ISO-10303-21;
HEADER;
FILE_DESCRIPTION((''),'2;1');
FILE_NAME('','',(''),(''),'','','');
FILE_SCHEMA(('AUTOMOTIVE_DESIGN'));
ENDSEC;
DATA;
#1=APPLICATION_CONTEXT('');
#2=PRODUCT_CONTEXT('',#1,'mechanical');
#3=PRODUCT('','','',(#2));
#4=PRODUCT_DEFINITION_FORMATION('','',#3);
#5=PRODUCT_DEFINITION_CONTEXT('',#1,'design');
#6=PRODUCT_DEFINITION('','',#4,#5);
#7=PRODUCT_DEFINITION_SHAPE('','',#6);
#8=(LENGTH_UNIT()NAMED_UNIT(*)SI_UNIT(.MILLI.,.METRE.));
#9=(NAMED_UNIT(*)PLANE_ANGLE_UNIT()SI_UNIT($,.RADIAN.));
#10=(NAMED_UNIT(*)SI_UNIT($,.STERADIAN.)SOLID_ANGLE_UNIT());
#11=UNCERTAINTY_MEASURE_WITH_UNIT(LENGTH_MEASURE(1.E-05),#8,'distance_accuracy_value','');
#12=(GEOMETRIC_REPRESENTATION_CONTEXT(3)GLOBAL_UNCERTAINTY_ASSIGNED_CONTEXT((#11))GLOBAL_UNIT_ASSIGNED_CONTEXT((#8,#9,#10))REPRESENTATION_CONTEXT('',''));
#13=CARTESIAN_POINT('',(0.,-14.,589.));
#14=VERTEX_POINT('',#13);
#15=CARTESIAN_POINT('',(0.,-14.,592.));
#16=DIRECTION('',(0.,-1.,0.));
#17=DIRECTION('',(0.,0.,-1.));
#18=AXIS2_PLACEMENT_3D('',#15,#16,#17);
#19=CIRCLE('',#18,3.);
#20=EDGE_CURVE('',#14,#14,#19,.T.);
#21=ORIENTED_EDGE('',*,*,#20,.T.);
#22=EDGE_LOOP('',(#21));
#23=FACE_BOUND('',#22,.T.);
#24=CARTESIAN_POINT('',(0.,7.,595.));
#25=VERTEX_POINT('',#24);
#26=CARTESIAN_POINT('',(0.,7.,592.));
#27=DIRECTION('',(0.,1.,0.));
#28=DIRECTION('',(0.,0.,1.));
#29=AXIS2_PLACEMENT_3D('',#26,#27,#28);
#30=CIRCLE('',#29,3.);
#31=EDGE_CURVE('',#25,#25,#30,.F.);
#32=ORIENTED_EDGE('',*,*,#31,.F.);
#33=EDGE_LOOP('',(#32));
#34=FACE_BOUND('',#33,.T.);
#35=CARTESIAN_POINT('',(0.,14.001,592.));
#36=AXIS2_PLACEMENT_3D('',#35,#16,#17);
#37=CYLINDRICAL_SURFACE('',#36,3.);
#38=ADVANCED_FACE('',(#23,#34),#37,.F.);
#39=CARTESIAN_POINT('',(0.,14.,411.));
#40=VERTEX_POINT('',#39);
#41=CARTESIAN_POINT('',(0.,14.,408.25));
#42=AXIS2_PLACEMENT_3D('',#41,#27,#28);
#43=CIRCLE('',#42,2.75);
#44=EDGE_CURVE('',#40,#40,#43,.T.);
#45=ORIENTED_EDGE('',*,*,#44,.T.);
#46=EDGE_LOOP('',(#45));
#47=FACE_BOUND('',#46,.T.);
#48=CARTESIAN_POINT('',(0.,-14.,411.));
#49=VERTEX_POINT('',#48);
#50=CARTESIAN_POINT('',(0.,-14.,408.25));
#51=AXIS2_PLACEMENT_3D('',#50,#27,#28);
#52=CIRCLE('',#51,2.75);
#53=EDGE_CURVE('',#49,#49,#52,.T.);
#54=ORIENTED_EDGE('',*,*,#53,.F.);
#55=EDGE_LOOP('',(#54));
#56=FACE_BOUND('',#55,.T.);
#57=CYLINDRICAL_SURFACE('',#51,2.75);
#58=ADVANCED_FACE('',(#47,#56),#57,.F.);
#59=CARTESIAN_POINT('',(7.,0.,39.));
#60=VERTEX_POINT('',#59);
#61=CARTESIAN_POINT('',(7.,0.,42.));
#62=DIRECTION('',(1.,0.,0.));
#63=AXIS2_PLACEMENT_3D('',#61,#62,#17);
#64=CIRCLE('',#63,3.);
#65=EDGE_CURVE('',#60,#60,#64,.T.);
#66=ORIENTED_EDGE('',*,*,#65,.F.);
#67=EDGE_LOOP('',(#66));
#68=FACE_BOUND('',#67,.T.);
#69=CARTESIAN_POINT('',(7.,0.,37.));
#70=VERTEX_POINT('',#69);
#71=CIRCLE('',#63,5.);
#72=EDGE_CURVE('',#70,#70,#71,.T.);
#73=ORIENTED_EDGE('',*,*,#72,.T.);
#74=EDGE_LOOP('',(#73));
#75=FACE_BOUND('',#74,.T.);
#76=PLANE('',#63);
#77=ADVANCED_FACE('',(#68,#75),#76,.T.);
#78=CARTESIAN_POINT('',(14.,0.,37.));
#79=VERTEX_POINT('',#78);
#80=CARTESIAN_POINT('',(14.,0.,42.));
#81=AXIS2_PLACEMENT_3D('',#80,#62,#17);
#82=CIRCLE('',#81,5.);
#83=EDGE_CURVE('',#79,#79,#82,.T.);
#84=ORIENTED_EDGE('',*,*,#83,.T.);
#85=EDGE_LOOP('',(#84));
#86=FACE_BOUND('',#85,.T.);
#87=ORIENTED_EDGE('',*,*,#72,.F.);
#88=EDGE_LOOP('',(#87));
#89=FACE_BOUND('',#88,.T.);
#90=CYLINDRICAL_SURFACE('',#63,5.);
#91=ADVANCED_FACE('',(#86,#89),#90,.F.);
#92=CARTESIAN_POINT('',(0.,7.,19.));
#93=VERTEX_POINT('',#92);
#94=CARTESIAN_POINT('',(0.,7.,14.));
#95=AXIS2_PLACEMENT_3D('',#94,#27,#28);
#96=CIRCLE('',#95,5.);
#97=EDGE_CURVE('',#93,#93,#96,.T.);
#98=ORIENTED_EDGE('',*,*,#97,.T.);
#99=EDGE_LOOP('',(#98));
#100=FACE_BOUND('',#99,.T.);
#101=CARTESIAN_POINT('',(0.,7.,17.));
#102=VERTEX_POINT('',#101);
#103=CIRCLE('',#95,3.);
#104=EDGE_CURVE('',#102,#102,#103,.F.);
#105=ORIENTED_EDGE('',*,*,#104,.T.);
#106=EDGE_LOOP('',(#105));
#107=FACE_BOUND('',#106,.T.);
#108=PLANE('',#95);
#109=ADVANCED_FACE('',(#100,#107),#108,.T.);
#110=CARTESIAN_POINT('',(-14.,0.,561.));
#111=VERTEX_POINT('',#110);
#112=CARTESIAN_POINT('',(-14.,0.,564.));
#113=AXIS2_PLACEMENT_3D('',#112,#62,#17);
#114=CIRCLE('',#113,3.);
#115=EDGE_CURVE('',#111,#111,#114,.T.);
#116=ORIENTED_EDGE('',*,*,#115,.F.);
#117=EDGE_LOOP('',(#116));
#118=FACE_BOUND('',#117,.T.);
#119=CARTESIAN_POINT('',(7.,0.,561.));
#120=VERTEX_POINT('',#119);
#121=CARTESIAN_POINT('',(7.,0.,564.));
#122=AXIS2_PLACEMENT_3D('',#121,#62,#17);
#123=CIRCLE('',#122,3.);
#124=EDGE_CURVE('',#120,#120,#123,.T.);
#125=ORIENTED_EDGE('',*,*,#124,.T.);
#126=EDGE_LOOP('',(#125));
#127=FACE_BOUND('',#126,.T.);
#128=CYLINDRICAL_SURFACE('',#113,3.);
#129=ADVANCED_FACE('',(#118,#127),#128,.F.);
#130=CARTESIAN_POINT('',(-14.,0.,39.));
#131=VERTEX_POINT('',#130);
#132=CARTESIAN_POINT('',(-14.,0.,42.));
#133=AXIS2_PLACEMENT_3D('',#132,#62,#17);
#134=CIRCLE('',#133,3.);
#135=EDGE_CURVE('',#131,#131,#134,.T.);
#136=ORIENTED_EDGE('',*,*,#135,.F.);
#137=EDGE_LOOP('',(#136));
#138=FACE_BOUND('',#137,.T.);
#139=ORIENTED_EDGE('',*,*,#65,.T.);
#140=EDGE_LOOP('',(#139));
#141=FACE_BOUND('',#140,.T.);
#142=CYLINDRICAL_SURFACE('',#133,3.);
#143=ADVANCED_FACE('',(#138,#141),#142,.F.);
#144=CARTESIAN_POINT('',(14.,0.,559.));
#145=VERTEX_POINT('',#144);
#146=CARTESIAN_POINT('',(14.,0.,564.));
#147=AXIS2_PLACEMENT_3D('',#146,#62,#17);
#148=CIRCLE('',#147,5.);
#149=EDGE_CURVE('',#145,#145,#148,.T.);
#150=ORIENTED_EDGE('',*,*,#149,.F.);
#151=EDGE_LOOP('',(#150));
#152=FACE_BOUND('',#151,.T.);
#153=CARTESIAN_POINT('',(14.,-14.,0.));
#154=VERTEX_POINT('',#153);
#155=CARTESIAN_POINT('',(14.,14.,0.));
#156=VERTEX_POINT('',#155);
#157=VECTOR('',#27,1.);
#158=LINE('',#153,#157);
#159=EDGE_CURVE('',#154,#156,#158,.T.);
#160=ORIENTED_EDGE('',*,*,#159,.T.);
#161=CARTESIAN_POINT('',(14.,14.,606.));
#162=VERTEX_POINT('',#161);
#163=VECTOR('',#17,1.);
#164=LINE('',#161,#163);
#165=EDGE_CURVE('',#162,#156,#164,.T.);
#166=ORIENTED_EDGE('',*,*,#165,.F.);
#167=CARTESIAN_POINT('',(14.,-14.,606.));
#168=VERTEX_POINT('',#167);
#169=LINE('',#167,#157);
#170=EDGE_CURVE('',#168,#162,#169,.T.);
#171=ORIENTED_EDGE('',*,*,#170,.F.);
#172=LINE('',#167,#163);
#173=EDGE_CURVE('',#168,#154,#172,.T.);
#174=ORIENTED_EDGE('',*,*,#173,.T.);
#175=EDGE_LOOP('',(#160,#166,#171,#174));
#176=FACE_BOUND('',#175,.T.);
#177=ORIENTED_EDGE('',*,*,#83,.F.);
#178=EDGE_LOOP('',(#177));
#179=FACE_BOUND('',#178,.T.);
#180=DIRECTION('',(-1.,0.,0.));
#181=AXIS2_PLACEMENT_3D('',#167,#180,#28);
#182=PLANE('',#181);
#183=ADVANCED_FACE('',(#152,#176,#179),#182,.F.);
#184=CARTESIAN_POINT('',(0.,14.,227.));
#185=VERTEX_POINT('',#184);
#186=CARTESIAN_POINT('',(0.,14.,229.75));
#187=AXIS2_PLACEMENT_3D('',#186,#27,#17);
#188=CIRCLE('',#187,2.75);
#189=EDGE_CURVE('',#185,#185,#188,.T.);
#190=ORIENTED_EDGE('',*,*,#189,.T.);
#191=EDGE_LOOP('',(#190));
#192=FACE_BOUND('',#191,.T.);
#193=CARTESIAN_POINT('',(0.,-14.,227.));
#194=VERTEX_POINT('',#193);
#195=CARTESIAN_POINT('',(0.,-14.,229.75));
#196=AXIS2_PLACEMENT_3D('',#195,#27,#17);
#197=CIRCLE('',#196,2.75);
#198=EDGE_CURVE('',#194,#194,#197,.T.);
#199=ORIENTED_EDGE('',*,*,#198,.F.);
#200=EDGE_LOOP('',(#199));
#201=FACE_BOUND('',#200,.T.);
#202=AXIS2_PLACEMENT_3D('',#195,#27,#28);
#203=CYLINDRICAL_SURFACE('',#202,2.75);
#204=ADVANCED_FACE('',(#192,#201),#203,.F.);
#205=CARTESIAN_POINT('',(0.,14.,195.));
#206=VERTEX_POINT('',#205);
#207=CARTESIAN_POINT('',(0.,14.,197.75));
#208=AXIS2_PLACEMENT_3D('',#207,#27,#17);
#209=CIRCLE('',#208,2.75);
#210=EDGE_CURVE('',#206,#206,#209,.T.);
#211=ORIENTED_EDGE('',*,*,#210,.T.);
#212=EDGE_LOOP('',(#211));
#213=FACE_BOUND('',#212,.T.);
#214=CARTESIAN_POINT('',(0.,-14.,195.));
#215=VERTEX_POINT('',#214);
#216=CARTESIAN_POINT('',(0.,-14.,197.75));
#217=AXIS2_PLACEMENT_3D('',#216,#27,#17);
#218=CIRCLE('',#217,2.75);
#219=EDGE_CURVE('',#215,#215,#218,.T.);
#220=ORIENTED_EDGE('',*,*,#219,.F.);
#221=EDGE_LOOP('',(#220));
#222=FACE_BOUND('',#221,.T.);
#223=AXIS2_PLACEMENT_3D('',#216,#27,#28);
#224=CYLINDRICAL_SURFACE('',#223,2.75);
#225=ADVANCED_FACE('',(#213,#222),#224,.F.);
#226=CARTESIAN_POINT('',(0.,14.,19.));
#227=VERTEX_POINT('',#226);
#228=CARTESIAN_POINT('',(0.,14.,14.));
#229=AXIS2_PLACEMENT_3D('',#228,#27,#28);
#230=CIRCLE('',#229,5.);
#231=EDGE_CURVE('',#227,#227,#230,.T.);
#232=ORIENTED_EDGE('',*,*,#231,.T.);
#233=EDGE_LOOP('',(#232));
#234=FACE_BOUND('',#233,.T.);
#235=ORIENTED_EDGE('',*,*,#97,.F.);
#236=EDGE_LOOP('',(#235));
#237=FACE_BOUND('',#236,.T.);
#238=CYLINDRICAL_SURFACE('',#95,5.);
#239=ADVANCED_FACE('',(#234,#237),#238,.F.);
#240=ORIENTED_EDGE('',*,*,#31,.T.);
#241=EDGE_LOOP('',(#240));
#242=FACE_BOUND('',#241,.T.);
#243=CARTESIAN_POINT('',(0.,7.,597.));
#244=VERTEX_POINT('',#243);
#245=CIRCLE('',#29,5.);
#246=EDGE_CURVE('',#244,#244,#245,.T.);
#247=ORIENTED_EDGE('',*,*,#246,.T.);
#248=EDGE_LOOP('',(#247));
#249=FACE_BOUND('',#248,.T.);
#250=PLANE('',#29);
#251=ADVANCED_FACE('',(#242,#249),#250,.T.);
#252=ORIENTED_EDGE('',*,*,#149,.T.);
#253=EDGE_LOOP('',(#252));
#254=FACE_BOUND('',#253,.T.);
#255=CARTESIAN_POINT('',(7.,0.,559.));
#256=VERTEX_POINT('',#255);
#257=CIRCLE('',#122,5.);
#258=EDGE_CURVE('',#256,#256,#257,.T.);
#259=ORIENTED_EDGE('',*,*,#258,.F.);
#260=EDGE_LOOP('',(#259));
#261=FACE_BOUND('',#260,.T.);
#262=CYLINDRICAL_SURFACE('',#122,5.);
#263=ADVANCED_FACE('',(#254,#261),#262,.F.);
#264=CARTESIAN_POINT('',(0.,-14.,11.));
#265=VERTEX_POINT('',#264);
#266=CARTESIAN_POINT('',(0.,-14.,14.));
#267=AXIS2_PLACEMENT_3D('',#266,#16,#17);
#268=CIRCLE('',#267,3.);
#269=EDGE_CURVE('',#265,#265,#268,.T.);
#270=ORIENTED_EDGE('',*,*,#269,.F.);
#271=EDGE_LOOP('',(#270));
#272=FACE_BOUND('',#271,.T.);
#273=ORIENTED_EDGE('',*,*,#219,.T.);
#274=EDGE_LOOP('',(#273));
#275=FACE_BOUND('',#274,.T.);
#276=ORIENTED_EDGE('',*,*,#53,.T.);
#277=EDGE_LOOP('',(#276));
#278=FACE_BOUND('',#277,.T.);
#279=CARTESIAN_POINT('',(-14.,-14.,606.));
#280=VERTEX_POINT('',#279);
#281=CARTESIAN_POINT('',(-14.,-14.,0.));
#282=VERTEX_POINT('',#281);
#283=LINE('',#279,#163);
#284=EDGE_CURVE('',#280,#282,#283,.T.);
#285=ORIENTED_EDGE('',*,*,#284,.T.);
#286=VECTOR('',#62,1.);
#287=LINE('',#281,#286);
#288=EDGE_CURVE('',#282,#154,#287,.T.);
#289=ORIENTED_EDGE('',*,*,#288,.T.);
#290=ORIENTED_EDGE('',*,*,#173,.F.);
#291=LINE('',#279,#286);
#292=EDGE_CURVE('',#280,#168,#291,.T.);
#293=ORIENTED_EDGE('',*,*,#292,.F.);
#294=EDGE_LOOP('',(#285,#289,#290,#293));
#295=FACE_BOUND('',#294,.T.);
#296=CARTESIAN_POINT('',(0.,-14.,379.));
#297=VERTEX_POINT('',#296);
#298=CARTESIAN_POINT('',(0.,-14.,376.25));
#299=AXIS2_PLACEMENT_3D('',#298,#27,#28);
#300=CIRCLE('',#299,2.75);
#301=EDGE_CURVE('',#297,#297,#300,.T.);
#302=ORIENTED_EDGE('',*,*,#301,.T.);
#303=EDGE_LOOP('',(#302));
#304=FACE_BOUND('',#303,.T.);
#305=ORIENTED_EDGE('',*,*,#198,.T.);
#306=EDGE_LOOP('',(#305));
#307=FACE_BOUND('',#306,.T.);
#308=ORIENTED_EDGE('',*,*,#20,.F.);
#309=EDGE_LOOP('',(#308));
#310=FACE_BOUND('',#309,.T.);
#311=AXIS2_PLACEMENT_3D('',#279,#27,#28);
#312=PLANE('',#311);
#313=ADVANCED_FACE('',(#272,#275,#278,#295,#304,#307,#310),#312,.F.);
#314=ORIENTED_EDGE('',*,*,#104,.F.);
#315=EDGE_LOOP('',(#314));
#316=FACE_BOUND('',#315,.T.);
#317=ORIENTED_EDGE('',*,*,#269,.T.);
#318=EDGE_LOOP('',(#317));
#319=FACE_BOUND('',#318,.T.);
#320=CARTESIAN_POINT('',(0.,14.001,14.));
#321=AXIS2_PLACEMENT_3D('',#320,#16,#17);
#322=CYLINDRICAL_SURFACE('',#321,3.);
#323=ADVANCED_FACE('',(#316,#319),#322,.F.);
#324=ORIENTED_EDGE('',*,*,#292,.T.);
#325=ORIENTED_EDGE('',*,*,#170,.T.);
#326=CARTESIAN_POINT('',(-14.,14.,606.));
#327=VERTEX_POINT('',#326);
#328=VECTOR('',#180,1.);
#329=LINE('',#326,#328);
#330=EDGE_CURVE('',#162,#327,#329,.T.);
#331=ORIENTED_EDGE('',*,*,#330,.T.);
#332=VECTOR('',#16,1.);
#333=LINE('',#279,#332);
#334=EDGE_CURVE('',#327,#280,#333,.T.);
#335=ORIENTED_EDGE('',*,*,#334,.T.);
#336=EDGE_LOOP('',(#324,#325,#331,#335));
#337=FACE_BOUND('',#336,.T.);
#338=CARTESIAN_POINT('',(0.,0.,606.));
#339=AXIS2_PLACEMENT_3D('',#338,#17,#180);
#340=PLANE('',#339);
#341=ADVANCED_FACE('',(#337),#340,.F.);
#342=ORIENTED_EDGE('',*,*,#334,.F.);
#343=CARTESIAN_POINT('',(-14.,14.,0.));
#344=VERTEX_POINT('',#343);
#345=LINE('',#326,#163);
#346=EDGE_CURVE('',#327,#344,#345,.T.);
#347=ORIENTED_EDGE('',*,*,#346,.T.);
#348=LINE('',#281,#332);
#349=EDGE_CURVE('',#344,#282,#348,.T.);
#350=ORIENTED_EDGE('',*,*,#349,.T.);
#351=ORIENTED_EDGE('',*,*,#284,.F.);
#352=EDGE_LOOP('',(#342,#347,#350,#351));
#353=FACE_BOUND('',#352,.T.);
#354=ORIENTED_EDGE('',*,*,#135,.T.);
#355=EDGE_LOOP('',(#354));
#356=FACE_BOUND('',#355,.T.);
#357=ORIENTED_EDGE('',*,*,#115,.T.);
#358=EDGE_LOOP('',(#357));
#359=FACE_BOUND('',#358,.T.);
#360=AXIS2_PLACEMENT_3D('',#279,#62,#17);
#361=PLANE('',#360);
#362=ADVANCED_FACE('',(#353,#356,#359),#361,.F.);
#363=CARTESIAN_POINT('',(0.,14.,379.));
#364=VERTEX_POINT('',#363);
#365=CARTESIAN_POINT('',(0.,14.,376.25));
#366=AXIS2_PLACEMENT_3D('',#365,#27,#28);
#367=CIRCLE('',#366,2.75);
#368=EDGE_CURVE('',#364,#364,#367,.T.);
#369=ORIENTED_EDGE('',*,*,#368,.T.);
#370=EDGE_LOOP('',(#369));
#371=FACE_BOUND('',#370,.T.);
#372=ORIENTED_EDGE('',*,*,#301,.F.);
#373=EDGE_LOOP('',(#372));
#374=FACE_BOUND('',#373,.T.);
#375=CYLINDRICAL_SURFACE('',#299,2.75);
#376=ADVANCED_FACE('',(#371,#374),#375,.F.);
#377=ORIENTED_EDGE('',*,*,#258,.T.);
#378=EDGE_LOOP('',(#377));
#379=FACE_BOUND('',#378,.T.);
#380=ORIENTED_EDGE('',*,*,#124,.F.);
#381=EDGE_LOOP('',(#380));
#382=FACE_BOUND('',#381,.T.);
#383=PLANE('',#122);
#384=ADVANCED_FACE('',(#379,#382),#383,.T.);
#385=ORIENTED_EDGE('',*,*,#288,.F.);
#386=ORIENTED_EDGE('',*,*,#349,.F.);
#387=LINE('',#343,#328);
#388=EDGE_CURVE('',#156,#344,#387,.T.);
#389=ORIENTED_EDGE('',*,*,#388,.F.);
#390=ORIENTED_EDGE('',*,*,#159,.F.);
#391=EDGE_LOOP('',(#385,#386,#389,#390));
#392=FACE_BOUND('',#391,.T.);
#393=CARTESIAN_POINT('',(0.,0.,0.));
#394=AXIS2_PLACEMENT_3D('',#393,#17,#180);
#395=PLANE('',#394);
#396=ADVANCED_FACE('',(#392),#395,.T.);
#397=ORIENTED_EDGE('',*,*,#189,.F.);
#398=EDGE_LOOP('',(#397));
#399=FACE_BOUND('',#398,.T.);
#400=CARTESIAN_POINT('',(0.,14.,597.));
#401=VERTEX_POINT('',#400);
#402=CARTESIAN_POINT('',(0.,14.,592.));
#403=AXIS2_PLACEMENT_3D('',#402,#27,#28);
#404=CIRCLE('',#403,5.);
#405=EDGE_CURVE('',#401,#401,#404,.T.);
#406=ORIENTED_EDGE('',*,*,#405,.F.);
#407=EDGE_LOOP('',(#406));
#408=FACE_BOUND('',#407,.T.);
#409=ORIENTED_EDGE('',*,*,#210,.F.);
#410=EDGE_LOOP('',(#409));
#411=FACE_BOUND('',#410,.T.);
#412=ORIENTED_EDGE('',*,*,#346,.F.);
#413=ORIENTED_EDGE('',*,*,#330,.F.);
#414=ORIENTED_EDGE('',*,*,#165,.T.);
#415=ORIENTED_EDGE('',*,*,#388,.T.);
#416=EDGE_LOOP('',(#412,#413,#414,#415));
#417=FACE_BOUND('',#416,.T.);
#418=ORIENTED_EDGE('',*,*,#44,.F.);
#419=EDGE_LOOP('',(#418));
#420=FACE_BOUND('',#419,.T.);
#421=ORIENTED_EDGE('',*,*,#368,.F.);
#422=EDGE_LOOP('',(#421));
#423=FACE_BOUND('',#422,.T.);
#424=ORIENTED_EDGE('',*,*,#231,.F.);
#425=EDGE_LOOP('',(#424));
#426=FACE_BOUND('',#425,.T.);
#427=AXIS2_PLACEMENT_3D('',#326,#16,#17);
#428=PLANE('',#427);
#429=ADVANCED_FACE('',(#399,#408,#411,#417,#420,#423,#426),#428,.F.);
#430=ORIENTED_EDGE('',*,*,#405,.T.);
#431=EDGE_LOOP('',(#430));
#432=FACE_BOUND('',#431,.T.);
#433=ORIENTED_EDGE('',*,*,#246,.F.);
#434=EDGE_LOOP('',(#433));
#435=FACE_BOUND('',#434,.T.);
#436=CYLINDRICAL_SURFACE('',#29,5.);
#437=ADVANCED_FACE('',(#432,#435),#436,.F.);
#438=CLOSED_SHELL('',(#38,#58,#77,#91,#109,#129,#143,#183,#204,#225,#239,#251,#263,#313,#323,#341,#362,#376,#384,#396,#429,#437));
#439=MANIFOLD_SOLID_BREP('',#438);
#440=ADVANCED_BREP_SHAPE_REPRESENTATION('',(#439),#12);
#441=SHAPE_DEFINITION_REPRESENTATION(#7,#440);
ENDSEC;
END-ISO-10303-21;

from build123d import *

# Parameters (mm, degrees)
IZIM1_W                     = 28
IZIM1_H                     = 28
Y_KSEKLIK_EKSTR_ZYON1_DEPTH = 606
IZIM2_R                     = 5
KES_EKSTR_ZYON1_DEPTH       = 7
IZIM3_R                     = 3
KES_EKSTR_ZYON2_DEPTH       = 1
KES_EKSTR_ZYON2_DEPTH_BACK  = 29
KES_EKSTR_ZYON3_REACH       = 30
IZIM4_R                     = 3
IZIM6_R                     = 5
KES_EKSTR_ZYON5_DEPTH       = 7
IZIM7_R                     = 2.75
KES_EKSTR_ZYON6_DEPTH       = 29


with BuildPart() as part:
    # Çizim1 → Yükseklik-Ekstrüzyon1 (new body)
    with BuildSketch(Plane.XY):
        Rectangle(IZIM1_W, IZIM1_H)
    extrude(amount=Y_KSEKLIK_EKSTR_ZYON1_DEPTH)

    # Çizim2 → Kes-Ekstrüzyon1 (cut)
    with BuildSketch(Plane(origin=(14, 0, 0), x_dir=(0, 0, -1), z_dir=(1, 0, 0))):
        with Locations((-564, 0)):
            Circle(IZIM2_R)
        with Locations((-42, 0)):
            Circle(IZIM2_R)
    extrude(amount=-KES_EKSTR_ZYON1_DEPTH, mode=Mode.SUBTRACT)

    # Çizim3 → Kes-Ekstrüzyon2 (cut, two sides)
    with BuildSketch(Plane(origin=(14, 0, 0), x_dir=(0, 0, -1), z_dir=(1, 0, 0))) as kes_ekstr_zyon2_sk:
        with Locations((-564, 0)):
            Circle(IZIM3_R)
        with Locations((-42, 0)):
            Circle(IZIM3_R)
    extrude(amount=KES_EKSTR_ZYON2_DEPTH, mode=Mode.SUBTRACT)
    extrude(kes_ekstr_zyon2_sk.sketch, amount=-KES_EKSTR_ZYON2_DEPTH_BACK, mode=Mode.SUBTRACT)

    # Çizim4 → Kes-Ekstrüzyon3 (cut, up to next)
    with BuildSketch(Plane.XZ.offset(14), mode=Mode.PRIVATE) as kes_ekstr_zyon3_sk1:
        with Locations((0, 14)):
            Circle(IZIM4_R)
    kes_ekstr_zyon3_tool1 = extrude(kes_ekstr_zyon3_sk1.sketch, amount=-KES_EKSTR_ZYON3_REACH, mode=Mode.PRIVATE) & part.part
    add(kes_ekstr_zyon3_tool1.solids().sort_by_distance((0, -14, 14))[0], mode=Mode.SUBTRACT)
    # Çizim4 → Kes-Ekstrüzyon3 (cut, up to next)
    with BuildSketch(Plane.XZ.offset(14), mode=Mode.PRIVATE) as kes_ekstr_zyon3_sk2:
        with Locations((0, 592)):
            Circle(IZIM4_R)
    kes_ekstr_zyon3_tool2 = extrude(kes_ekstr_zyon3_sk2.sketch, amount=-KES_EKSTR_ZYON3_REACH, mode=Mode.PRIVATE) & part.part
    add(kes_ekstr_zyon3_tool2.solids().sort_by_distance((0, -14, 592))[0], mode=Mode.SUBTRACT)

    # Çizim6 → Kes-Ekstrüzyon5 (cut)
    with BuildSketch(Plane(origin=(0, 14, 0), x_dir=(1, 0, 0), z_dir=(0, 1, 0))):
        with Locations((0, -592)):
            Circle(IZIM6_R)
        with Locations((0, -14)):
            Circle(IZIM6_R)
    extrude(amount=-KES_EKSTR_ZYON5_DEPTH, mode=Mode.SUBTRACT)

    # Çizim7 → Kes-Ekstrüzyon6 (cut, through all)
    with BuildSketch(Plane(origin=(0, 14, 0), x_dir=(1, 0, 0), z_dir=(0, 1, 0))):
        with Locations((0, -408.25)):
            Circle(IZIM7_R)
        with Locations((0, -376.25)):
            Circle(IZIM7_R)
        with Locations((0, -229.75)):
            Circle(IZIM7_R)
        with Locations((0, -197.75)):
            Circle(IZIM7_R)
    extrude(amount=-KES_EKSTR_ZYON6_DEPTH, mode=Mode.SUBTRACT)


solid = part.part
